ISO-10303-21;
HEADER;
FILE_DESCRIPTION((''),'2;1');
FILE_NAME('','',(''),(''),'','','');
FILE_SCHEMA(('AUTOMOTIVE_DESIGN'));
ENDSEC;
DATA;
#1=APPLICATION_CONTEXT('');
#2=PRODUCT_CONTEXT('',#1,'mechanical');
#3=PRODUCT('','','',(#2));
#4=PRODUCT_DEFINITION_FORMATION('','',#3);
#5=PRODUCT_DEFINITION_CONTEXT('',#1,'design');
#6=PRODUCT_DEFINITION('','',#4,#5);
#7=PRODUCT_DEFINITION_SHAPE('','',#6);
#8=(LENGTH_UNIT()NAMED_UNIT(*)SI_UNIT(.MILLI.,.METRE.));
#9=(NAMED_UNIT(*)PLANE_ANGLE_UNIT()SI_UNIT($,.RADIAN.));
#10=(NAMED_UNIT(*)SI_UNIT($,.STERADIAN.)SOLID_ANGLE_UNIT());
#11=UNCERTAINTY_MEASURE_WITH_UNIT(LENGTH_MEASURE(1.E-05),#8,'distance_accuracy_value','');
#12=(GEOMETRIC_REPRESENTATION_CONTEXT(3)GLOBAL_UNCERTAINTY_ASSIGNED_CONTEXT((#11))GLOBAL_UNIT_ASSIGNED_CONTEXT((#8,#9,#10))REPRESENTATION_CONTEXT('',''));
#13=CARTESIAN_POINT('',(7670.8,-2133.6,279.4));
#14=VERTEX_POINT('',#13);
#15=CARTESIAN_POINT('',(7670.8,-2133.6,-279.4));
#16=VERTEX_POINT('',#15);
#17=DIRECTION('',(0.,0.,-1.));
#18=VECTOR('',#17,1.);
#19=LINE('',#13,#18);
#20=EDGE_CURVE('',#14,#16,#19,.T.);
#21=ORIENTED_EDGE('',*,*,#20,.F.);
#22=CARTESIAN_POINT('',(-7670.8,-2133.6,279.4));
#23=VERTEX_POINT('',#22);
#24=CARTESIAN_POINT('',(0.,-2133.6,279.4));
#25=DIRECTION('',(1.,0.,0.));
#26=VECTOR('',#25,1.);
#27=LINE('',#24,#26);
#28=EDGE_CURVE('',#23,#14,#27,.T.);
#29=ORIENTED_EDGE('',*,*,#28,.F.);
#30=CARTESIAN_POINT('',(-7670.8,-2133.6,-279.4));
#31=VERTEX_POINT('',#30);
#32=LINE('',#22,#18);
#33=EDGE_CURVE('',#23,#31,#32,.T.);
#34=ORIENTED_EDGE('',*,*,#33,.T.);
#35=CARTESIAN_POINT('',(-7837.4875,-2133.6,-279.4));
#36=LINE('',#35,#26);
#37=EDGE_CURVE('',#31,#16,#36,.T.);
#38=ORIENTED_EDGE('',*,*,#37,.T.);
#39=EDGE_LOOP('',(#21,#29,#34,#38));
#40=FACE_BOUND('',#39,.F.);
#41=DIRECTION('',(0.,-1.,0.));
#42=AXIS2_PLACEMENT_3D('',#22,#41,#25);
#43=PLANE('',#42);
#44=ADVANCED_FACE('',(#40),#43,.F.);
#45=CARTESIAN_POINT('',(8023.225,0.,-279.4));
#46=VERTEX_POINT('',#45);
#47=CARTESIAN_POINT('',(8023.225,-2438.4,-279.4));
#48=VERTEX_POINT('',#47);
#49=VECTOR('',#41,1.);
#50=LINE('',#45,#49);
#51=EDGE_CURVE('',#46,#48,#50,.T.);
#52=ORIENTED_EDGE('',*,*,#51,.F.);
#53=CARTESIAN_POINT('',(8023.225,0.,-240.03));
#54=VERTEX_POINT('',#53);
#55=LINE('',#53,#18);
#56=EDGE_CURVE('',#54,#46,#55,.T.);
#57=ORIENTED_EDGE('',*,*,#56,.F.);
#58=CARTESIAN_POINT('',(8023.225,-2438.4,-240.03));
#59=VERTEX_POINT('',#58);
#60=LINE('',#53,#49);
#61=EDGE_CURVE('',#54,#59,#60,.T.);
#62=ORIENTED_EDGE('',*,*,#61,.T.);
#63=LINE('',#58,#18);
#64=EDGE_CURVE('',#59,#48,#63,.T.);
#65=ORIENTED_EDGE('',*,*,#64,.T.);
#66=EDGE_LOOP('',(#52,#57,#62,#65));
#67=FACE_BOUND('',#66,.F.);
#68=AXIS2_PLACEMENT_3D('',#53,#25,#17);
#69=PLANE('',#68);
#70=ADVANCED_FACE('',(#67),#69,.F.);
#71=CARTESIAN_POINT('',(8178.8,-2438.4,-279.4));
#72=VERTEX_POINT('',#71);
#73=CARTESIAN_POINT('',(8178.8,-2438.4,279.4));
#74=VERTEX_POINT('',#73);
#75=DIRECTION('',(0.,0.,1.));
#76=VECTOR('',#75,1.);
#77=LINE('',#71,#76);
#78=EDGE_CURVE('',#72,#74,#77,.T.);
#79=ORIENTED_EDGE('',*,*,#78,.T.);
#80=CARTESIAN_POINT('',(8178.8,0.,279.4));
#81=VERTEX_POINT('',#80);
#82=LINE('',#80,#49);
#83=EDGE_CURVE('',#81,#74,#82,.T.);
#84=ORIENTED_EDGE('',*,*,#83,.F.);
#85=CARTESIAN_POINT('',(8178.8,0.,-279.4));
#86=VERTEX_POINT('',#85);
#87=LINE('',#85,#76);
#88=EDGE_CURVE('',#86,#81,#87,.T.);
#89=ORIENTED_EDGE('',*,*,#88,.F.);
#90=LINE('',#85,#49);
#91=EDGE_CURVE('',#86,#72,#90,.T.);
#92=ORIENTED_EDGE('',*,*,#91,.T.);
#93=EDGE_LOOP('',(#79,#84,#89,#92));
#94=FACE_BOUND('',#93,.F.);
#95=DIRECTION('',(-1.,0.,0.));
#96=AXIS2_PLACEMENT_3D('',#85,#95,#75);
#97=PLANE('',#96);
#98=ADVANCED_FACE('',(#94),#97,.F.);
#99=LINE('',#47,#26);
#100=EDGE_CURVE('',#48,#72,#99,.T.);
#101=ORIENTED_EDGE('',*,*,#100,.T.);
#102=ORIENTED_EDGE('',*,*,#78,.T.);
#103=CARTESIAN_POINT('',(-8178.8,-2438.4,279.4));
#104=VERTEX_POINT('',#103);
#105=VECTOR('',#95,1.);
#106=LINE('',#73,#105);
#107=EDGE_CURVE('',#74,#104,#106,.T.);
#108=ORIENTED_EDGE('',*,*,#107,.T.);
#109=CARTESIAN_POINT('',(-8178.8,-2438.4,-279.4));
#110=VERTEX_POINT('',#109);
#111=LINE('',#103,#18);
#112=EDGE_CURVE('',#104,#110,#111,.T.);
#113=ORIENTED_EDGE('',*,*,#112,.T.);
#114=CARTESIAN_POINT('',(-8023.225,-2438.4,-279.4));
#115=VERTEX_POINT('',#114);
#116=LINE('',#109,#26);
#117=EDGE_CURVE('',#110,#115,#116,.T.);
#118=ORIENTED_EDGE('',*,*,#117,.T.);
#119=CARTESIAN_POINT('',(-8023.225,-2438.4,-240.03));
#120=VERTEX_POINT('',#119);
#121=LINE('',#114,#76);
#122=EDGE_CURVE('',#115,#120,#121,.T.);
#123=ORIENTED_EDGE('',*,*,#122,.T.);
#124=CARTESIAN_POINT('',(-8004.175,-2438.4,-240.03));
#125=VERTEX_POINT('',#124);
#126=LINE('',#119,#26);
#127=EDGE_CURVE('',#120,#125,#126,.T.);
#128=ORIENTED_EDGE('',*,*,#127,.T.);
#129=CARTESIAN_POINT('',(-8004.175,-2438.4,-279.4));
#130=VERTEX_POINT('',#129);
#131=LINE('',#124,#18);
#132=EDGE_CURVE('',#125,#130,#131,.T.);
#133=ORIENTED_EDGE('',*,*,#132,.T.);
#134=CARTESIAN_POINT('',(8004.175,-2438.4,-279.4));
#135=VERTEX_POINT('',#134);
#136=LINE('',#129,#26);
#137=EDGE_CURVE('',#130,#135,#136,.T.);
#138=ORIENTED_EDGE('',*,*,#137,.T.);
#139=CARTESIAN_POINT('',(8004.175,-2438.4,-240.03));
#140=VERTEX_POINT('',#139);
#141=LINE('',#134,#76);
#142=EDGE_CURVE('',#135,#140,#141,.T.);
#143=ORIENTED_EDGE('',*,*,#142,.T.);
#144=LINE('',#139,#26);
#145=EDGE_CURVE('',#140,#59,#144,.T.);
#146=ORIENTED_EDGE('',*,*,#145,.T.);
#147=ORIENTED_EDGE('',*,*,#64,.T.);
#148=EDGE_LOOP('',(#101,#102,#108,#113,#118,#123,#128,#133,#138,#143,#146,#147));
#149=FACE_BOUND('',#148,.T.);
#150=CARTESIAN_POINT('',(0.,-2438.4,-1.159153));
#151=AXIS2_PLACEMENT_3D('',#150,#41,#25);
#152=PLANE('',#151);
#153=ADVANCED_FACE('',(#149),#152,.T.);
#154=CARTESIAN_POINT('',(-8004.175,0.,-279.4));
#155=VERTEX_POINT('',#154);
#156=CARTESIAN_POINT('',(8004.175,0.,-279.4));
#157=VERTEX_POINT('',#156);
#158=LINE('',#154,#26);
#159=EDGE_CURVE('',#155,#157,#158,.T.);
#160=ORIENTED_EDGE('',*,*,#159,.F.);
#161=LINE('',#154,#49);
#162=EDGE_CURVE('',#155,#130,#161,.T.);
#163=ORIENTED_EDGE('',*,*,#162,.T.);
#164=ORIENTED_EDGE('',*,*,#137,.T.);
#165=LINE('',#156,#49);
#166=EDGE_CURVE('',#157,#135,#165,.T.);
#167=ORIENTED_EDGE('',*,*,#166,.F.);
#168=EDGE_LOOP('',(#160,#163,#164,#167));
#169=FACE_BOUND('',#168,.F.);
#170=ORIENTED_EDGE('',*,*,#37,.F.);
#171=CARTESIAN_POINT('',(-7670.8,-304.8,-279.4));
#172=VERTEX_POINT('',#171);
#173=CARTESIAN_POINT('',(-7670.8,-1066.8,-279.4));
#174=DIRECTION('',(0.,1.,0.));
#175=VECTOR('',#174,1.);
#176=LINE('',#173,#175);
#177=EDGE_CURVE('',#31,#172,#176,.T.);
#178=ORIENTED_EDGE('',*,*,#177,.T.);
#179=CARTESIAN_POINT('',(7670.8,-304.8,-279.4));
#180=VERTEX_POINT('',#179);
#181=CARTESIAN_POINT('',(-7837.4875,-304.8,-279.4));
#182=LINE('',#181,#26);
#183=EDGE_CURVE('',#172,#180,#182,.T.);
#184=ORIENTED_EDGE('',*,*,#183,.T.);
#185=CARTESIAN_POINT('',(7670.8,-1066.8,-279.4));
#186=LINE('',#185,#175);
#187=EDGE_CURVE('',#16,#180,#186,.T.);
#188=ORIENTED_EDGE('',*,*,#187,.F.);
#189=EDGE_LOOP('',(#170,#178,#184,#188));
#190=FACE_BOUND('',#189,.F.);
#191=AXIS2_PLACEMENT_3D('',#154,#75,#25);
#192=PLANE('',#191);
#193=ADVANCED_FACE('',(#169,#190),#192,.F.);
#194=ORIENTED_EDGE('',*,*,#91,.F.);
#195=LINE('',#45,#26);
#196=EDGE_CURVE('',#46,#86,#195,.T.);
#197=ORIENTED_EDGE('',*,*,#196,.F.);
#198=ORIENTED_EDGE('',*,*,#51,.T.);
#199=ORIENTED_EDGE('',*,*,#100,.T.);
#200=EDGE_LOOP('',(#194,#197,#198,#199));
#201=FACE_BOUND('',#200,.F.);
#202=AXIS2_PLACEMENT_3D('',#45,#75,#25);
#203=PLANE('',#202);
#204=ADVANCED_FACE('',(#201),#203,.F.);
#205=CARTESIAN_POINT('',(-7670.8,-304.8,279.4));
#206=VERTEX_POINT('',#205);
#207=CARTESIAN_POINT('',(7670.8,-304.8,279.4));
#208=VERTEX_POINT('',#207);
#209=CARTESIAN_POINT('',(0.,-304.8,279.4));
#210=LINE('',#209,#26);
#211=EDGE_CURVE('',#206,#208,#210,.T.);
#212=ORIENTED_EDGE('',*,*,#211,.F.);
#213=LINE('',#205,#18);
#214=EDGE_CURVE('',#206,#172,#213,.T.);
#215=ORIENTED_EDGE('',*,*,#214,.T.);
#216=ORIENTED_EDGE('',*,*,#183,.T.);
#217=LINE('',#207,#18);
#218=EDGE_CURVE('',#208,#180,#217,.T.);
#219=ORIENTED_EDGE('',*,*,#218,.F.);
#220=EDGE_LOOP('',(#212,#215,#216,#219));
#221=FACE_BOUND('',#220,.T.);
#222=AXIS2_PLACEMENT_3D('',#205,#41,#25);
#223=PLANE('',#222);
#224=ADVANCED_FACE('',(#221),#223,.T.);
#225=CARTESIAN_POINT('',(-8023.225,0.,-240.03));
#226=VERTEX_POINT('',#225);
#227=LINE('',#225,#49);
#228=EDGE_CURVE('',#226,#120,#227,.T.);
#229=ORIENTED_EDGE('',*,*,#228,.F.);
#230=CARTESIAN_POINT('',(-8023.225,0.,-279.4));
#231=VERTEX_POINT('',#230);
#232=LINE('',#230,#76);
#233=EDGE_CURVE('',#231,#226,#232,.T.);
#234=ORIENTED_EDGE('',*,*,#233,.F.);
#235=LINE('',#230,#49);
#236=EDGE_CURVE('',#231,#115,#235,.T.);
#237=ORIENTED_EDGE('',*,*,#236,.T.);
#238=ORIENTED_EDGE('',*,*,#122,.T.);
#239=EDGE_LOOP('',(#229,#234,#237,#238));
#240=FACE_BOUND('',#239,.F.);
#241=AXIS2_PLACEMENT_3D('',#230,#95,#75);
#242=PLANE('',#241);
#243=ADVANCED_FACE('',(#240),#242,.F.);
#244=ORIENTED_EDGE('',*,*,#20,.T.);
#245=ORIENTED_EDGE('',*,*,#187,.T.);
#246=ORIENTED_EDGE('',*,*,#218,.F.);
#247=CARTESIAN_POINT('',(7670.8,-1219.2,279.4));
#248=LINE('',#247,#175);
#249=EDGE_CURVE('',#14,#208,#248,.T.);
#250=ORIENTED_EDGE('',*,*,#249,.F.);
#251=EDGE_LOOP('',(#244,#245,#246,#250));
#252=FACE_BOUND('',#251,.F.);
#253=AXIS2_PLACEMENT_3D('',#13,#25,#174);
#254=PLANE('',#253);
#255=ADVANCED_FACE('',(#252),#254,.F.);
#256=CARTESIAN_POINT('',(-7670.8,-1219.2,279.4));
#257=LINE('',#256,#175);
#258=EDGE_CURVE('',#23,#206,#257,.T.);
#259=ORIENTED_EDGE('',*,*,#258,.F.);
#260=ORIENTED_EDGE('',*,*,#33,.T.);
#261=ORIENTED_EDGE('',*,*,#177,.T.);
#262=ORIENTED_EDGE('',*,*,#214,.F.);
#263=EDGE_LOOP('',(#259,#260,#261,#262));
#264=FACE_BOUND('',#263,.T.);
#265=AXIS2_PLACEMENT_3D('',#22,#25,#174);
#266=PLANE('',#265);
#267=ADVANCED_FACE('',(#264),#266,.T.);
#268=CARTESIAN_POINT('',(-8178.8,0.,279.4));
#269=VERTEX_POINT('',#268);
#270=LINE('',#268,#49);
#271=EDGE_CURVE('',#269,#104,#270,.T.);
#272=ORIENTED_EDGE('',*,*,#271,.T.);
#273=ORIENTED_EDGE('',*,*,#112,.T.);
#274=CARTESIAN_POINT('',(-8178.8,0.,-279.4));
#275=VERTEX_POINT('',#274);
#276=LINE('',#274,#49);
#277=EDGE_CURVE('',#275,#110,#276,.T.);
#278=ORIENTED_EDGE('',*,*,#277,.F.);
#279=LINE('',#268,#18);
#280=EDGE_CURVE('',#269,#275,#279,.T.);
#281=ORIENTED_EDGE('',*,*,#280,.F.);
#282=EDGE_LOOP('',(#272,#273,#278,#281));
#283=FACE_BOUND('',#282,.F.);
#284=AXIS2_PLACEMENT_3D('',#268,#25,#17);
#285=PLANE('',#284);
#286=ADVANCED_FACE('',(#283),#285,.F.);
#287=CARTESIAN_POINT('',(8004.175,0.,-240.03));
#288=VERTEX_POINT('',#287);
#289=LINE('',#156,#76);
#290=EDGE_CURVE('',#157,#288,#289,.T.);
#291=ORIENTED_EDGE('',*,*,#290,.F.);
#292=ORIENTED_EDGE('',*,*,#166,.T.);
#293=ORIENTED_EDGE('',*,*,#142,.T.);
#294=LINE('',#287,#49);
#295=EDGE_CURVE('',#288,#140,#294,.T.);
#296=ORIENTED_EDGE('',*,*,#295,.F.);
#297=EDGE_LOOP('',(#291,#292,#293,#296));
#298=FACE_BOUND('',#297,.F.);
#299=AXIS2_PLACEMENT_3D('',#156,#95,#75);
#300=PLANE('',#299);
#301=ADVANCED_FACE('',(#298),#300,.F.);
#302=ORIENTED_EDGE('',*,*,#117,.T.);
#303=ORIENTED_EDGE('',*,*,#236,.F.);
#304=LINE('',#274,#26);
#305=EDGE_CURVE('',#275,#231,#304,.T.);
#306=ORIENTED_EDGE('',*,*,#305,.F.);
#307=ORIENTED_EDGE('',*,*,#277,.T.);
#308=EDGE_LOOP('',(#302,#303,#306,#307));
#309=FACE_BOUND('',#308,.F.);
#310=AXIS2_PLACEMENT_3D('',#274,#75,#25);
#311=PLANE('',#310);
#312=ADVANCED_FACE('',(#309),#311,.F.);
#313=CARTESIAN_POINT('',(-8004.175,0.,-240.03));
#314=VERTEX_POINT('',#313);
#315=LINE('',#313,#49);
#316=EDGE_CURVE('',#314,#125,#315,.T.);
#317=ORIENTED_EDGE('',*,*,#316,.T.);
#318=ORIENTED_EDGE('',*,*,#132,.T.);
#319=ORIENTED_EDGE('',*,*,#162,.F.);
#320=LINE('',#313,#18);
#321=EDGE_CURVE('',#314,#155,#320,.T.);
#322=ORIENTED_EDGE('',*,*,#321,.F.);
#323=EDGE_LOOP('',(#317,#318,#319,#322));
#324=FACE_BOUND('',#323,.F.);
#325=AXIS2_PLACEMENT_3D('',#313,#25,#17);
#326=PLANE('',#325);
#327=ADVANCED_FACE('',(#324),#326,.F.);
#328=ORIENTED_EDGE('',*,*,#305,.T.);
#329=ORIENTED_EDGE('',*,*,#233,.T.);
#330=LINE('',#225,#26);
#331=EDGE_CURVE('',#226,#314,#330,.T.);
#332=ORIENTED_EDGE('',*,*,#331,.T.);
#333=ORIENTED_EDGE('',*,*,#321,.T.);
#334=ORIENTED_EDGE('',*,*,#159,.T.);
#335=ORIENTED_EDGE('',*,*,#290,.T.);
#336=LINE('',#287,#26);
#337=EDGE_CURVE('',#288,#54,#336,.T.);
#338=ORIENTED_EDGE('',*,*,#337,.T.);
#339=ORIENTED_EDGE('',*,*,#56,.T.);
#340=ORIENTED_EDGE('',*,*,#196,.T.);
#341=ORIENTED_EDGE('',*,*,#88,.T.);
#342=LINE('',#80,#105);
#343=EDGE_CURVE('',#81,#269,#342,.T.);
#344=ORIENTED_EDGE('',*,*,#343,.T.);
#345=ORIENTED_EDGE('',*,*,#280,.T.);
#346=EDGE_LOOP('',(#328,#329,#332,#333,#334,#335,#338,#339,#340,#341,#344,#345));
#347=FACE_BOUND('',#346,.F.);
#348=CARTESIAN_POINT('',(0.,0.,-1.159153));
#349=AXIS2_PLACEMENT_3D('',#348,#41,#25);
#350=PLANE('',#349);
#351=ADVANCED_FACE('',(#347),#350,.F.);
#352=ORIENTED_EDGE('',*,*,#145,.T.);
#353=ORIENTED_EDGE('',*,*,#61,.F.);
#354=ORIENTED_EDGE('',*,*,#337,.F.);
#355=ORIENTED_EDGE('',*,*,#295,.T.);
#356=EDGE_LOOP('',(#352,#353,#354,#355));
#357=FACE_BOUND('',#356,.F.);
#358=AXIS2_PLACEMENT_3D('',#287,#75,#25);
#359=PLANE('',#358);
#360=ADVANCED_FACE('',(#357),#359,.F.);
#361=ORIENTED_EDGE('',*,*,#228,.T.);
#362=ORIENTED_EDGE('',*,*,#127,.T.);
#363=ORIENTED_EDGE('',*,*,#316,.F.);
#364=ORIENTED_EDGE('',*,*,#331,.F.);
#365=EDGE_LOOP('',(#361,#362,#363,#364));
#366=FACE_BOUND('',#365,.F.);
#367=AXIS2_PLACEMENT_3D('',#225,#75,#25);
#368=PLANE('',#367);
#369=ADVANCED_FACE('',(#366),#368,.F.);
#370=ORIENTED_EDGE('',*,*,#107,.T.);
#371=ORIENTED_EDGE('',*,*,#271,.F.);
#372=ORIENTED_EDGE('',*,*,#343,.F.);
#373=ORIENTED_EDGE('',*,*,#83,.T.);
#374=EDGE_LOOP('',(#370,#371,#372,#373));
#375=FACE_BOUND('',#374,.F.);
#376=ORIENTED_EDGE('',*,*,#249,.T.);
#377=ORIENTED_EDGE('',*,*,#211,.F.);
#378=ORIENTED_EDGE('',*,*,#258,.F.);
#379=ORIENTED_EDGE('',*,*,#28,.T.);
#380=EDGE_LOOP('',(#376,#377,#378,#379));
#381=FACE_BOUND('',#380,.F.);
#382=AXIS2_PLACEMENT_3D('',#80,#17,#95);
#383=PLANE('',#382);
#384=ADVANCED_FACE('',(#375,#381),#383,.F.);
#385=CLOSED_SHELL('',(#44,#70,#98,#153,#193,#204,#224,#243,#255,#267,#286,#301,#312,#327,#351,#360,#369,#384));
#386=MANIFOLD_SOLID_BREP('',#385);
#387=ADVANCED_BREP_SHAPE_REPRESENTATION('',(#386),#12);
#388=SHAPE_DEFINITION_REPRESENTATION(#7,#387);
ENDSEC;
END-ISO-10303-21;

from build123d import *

# Parameters (mm, degrees)
F1_DEPTH = 2438.4
F2_W     = 15341.6
F2_H     = 1828.8
F3_DEPTH = 558.801


with BuildPart() as f1:
    # F0 (on Front) → F1 (new body)
    with BuildSketch(Plane.XZ):
        Polygon((8023.225, -279.4), (8178.8, -279.4), (8178.8, 279.4), (-8178.8, 279.4), (-8178.8, -279.4), (-8023.225, -279.4), (-8023.225, -240.03), (-8004.175, -240.03), (-8004.175, -279.4), (8004.175, -279.4), (8004.175, -240.03), (8023.225, -240.03), align=None)
    extrude(amount=F1_DEPTH)

    # F2 (on face) → F3 (cut, through all)
    with BuildSketch(Plane.XY.offset(279.4)):
        with Locations((0, -1219.2)):
            Rectangle(F2_W, F2_H)
    extrude(amount=-F3_DEPTH, mode=Mode.SUBTRACT)


solid = f1.part
